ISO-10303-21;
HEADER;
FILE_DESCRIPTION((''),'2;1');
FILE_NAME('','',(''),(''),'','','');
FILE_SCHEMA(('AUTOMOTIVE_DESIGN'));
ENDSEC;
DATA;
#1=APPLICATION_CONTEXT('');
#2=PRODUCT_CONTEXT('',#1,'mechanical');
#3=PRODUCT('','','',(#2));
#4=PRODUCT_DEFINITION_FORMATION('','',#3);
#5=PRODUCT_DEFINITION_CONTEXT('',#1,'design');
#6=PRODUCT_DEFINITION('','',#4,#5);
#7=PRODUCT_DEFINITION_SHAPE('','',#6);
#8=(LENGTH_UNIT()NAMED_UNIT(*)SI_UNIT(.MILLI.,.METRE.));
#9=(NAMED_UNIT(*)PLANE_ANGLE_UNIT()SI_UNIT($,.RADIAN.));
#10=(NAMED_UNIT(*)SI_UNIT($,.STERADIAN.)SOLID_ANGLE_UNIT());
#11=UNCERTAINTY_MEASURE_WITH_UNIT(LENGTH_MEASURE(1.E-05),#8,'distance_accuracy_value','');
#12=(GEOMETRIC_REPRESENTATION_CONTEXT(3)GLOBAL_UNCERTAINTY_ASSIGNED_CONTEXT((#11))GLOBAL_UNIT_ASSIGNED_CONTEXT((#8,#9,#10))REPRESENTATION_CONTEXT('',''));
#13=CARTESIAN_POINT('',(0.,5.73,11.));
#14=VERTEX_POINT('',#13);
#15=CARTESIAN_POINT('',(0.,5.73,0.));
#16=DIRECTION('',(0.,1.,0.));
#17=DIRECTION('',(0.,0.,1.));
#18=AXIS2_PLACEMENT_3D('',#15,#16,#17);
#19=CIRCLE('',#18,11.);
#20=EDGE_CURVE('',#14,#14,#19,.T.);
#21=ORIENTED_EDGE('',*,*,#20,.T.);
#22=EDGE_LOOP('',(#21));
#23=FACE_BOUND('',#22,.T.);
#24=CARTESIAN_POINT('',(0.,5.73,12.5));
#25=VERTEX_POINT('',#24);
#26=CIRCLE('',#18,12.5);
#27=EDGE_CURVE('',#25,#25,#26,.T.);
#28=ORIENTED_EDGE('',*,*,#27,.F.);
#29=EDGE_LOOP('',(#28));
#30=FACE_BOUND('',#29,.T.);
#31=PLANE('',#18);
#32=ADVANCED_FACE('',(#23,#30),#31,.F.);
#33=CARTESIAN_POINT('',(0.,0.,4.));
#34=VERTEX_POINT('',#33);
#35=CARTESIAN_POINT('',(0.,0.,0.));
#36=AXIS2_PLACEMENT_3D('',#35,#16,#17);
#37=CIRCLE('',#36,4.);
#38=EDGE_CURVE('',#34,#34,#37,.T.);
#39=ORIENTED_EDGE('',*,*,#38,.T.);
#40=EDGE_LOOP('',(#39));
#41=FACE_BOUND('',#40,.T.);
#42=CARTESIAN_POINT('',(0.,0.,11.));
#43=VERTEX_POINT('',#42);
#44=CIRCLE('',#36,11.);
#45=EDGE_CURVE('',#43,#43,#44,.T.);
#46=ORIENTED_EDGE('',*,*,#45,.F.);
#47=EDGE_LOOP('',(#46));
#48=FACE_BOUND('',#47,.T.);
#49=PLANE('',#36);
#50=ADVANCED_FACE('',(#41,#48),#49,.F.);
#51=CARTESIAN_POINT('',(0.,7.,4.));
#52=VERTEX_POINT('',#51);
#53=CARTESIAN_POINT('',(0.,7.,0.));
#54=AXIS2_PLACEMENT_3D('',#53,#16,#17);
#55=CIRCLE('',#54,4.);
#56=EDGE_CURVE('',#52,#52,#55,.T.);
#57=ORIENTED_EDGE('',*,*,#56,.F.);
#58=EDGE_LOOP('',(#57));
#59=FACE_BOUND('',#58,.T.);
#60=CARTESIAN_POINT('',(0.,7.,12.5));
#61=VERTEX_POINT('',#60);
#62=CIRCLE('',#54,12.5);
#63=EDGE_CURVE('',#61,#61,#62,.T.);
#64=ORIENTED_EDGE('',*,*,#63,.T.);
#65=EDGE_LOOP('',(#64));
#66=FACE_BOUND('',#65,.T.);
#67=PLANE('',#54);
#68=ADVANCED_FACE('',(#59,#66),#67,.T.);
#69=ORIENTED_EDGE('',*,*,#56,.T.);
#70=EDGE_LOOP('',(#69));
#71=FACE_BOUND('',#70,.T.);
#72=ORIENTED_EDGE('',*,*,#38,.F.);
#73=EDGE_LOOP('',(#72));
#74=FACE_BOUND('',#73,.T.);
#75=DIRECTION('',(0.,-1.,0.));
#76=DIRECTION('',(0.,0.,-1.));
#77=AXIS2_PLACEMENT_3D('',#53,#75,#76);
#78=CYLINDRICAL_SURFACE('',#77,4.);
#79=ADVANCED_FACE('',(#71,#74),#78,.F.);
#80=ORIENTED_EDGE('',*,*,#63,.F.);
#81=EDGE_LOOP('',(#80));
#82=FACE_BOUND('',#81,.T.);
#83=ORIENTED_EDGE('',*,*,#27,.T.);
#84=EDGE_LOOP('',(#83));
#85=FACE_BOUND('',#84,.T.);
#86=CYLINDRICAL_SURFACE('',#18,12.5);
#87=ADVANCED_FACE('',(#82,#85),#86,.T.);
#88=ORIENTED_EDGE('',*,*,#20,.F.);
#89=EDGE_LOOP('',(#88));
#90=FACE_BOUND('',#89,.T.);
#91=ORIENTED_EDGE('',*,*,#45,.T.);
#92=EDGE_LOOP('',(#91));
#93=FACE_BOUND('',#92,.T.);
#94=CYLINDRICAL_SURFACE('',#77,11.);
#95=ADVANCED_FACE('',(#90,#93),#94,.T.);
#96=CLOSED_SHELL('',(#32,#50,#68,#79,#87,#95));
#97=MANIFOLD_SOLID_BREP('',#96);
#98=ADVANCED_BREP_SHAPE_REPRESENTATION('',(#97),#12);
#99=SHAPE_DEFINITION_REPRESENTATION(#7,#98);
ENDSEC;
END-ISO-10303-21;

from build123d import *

# Parameters (mm, degrees)
SKETCH1_R           = 11
SKETCH1_R_2         = 4
BOSS_EXTRUDE1_DEPTH = 7
SKETCH2_R           = 12.5
SKETCH2_R_2         = 11
BOSS_EXTRUDE2_DEPTH = 1.27


with BuildPart() as part:
    # Sketch1 → Boss-Extrude1 (new body)
    with BuildSketch(Plane(origin=(0, 0, 0), x_dir=(1, 0, 0), z_dir=(0, 1, 0))):
        Circle(SKETCH1_R)
        Circle(SKETCH1_R_2, mode=Mode.SUBTRACT)
    extrude(amount=BOSS_EXTRUDE1_DEPTH)

    # Sketch2 → Boss-Extrude2 (add)
    with BuildSketch(Plane(origin=(0, 7, 0), x_dir=(1, 0, 0), z_dir=(0, 1, 0))):
        Circle(SKETCH2_R)
        Circle(SKETCH2_R_2, mode=Mode.SUBTRACT)
    extrude(amount=-BOSS_EXTRUDE2_DEPTH)


solid = part.part
